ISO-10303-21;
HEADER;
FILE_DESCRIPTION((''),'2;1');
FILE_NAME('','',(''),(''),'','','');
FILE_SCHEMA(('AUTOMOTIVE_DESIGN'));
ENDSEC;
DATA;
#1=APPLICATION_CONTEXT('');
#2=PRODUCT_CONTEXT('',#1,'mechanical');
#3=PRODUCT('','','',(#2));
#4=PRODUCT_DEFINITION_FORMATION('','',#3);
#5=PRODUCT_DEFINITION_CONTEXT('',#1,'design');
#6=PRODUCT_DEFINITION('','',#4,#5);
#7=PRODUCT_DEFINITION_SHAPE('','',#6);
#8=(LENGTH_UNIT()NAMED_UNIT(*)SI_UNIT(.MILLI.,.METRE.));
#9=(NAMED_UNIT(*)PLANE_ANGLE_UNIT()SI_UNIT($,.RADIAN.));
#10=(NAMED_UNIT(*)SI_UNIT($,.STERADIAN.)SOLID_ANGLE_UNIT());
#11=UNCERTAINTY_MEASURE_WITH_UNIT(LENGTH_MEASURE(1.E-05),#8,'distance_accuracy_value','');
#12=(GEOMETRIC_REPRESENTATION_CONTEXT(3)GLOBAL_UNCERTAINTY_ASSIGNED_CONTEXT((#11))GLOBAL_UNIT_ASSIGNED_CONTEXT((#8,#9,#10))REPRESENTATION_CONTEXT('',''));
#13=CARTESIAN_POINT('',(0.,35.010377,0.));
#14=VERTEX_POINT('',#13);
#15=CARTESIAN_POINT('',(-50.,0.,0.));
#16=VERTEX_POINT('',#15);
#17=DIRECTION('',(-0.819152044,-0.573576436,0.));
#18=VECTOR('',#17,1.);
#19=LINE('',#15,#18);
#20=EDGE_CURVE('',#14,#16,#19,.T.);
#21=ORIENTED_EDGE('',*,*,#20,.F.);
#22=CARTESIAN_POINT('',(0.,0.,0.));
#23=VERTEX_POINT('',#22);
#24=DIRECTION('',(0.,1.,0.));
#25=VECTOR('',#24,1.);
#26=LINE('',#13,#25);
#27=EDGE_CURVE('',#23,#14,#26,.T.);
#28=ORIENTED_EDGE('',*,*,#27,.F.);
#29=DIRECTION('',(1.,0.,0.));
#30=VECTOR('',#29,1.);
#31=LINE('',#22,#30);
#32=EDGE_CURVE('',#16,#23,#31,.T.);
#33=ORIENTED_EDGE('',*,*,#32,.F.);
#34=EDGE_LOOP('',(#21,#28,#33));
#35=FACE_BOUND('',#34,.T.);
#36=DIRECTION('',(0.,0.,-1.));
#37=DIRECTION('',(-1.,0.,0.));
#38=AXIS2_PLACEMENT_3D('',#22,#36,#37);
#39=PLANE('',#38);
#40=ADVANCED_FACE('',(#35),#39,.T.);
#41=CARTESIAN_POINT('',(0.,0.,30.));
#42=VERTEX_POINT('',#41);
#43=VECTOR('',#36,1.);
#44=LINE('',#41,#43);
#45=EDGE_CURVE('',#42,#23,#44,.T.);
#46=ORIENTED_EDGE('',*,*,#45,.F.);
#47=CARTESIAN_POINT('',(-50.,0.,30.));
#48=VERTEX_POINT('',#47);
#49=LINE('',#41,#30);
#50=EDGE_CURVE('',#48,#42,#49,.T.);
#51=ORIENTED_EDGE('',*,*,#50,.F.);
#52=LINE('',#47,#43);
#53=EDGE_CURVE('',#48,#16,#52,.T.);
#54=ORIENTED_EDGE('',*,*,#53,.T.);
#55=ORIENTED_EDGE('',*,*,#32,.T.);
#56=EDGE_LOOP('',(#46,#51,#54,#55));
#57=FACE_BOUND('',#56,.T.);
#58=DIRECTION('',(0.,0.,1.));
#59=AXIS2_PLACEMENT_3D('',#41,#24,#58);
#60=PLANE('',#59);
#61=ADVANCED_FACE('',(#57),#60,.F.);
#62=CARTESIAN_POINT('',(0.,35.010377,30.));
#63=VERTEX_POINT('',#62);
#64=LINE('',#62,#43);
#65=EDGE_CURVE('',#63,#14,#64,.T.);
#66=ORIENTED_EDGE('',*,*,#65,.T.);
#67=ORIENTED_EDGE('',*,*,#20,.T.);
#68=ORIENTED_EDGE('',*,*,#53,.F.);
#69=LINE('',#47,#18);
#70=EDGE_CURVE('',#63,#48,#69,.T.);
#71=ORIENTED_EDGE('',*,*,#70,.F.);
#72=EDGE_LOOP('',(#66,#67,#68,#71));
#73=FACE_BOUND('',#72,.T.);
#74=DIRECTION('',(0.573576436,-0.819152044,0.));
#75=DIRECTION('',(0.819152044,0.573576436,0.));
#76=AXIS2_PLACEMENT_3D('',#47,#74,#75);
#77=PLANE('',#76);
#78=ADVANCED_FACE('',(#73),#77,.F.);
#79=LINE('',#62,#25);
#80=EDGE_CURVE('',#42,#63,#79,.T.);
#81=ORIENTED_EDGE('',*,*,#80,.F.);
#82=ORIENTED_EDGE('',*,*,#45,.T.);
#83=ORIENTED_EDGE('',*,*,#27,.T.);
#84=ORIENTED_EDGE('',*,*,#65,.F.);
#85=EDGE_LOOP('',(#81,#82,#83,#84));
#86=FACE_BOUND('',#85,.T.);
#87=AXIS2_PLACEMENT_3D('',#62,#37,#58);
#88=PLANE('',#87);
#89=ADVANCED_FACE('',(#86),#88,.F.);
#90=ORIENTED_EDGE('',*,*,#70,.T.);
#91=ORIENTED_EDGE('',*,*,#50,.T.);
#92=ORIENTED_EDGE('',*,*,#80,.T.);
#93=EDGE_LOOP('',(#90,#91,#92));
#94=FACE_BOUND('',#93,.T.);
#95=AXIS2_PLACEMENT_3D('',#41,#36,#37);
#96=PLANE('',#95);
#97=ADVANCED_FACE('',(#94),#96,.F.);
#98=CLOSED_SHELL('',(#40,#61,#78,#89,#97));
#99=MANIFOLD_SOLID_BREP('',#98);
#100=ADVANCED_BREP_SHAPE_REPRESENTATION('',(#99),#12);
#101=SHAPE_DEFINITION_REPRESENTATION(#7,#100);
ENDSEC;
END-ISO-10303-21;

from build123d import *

# Parameters (mm, degrees)
BOSS_EXTRUDE1_DEPTH = 30


with BuildPart() as part:
    # Sketch1 → Boss-Extrude1 (new body)
    with BuildSketch(Plane.XY):
        Polygon((0, 0), (-50, 0), (0, 35.01037691), align=None)
    extrude(amount=BOSS_EXTRUDE1_DEPTH)


solid = part.part
